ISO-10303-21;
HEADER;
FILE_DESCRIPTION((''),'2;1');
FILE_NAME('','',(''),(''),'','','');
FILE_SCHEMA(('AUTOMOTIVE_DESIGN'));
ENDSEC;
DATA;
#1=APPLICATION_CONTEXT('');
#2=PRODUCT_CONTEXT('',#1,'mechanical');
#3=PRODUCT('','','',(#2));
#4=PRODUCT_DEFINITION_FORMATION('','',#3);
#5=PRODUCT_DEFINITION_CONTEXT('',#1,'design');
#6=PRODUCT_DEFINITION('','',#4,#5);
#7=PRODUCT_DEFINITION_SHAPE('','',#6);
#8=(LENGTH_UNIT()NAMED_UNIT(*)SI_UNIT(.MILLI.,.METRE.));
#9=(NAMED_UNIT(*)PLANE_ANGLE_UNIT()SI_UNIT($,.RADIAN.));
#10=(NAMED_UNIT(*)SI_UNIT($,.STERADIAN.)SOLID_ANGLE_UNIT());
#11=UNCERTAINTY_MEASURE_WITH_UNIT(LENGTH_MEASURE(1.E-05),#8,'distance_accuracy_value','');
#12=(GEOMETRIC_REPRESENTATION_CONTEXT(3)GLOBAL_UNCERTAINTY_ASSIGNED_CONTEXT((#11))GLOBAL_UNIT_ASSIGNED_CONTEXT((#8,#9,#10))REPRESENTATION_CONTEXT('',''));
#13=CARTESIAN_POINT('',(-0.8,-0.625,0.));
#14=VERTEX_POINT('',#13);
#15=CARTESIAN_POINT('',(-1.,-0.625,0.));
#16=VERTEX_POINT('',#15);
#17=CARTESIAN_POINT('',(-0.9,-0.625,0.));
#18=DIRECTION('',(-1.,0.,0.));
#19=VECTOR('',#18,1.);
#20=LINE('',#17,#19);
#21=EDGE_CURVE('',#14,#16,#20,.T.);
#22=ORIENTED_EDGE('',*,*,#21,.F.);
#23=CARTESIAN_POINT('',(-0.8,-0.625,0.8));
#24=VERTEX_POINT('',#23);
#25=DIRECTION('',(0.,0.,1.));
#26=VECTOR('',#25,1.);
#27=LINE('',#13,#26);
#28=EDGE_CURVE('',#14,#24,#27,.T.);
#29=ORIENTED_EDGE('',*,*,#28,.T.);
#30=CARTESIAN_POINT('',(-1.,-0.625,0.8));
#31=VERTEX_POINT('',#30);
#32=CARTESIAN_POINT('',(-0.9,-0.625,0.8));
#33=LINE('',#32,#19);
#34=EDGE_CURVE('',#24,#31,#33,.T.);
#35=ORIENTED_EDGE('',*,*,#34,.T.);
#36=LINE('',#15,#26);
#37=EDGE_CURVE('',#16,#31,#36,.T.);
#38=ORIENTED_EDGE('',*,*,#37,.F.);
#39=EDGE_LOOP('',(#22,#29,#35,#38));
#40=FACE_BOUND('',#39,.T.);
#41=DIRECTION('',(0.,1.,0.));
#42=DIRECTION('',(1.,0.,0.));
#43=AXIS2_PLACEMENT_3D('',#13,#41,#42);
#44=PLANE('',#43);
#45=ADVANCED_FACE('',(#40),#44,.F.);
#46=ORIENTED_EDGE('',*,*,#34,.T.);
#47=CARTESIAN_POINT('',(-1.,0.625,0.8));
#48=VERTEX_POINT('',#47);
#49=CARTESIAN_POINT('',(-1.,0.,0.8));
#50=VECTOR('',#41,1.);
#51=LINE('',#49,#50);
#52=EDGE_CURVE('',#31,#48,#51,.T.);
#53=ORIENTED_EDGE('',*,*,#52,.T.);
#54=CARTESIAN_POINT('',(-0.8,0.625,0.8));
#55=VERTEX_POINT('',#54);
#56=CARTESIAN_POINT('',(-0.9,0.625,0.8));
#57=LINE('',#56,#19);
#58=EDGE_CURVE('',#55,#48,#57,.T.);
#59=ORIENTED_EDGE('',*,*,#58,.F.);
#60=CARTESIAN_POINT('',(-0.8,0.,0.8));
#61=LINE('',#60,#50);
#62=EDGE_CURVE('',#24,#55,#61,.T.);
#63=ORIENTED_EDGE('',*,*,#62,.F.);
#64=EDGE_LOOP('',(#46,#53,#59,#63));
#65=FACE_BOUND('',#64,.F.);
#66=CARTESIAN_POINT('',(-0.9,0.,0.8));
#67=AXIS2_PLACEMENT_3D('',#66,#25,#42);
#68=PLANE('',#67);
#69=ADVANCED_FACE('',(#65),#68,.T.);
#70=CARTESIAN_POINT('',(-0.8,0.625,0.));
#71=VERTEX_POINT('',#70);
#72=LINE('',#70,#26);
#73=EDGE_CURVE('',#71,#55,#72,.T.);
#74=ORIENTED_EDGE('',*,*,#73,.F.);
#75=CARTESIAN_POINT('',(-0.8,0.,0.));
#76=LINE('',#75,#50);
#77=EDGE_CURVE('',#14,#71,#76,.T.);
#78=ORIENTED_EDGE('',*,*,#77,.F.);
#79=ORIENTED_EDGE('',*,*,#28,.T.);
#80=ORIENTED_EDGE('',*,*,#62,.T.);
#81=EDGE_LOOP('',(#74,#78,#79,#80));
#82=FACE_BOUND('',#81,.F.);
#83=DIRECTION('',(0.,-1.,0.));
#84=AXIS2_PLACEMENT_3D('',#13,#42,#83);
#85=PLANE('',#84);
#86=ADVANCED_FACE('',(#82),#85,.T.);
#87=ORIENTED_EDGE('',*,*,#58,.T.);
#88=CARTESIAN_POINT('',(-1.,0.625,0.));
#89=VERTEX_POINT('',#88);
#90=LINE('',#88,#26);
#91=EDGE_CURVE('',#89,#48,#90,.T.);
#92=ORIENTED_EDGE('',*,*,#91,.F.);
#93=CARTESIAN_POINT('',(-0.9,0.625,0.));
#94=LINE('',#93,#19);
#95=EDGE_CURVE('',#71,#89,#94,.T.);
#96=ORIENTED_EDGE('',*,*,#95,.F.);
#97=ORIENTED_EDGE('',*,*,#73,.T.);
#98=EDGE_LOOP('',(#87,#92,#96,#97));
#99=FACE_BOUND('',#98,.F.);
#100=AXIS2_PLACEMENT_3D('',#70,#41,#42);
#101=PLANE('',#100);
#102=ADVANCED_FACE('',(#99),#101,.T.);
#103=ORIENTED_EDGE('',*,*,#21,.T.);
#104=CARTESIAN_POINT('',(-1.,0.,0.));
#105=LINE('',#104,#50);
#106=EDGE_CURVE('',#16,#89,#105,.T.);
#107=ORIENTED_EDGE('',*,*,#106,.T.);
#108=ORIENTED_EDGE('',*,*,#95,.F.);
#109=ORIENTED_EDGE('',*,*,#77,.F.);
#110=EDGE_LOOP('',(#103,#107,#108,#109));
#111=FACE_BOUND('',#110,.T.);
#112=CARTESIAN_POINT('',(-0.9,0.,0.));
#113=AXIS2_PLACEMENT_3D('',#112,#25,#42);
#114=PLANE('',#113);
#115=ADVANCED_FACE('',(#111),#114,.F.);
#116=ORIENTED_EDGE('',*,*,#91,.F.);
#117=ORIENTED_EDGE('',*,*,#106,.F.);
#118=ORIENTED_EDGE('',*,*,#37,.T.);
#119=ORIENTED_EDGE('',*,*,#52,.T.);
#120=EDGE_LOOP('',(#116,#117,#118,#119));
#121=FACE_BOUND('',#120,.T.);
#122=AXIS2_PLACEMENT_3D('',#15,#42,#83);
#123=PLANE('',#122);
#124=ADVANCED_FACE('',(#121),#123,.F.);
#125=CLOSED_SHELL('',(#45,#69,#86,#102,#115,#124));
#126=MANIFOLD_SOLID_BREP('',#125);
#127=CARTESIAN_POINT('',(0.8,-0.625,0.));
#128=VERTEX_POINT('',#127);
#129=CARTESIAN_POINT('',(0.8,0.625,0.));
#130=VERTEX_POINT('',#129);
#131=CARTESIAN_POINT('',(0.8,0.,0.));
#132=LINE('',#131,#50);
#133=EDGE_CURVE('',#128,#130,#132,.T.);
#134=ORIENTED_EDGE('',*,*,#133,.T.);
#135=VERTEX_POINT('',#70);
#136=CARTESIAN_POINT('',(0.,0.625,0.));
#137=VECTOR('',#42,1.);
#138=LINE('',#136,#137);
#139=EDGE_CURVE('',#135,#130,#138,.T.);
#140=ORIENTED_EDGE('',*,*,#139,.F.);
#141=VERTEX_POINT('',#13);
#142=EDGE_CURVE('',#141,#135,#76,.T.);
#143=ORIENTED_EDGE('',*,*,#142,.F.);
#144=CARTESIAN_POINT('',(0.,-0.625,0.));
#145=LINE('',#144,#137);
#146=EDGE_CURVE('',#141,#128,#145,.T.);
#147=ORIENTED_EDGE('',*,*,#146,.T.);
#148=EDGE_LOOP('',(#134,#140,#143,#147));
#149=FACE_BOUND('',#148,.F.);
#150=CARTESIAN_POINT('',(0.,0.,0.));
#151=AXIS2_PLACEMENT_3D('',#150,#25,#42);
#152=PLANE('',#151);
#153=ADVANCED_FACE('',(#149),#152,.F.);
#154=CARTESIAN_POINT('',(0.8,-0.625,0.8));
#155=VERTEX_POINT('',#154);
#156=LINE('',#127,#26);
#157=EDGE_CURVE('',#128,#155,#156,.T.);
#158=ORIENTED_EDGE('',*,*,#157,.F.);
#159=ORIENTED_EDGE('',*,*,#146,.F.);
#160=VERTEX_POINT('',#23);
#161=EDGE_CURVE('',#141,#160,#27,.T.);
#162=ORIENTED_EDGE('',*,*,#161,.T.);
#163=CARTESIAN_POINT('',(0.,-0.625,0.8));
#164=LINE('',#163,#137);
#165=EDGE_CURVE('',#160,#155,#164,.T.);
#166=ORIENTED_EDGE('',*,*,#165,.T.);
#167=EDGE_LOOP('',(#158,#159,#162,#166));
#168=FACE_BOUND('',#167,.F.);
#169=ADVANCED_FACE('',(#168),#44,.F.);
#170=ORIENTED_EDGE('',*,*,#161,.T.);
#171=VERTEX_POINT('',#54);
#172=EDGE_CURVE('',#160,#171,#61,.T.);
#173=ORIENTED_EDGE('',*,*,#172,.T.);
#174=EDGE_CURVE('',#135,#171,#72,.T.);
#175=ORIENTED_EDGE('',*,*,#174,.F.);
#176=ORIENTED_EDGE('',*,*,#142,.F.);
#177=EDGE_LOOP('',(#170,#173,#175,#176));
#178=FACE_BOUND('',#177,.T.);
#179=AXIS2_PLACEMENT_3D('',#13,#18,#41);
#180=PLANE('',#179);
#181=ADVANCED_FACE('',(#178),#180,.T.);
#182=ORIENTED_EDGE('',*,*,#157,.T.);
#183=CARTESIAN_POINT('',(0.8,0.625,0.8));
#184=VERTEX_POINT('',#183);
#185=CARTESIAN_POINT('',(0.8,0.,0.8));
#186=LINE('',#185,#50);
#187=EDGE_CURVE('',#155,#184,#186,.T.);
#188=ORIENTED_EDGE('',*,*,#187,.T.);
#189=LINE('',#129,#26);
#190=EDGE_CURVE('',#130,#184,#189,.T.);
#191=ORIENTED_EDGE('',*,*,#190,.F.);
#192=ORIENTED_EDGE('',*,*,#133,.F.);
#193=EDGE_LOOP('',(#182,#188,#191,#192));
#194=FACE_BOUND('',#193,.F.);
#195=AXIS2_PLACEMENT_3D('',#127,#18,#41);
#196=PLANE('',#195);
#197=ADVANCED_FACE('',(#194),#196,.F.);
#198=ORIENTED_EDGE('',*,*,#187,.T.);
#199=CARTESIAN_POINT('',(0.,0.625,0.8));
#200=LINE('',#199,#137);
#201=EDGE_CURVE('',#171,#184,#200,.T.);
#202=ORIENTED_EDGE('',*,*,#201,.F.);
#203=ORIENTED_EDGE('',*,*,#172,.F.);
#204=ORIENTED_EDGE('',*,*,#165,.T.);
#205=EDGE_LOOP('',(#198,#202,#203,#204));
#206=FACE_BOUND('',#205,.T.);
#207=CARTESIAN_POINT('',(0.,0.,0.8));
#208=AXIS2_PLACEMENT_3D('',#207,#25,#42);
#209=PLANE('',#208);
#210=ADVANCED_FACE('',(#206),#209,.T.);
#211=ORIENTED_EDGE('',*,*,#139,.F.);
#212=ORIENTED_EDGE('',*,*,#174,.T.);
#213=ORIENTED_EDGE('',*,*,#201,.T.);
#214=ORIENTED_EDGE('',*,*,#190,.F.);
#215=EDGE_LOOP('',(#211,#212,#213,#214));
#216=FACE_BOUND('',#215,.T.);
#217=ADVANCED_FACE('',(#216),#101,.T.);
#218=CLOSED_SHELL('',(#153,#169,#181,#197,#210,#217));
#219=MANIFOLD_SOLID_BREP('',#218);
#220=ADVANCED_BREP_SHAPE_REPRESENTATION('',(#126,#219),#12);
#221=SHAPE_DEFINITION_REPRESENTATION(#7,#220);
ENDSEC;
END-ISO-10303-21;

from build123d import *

# Parameters (mm, degrees)
SKETCH_W     = 1.6
SKETCH_H     = 1.25
PAD_DEPTH    = 0.8
SKETCH001_W  = 0.2
SKETCH001_H  = 1.25
PAD001_DEPTH = 0.8


with BuildPart() as body:
    # Sketch → Pad (new body)
    with BuildSketch(Plane.XY):
        Rectangle(SKETCH_W, SKETCH_H)
    extrude(amount=PAD_DEPTH)


with BuildPart() as body001:
    # Sketch001 → Pad001 (new body)
    with BuildSketch(Plane.XY):
        with Locations((0.9, 0)):
            Rectangle(SKETCH001_W, SKETCH001_H)
    extrude(amount=PAD001_DEPTH)


with BuildPart() as part_mirroring:
    # Part__Mirroring: instance of Body001
    add(body001.part.mirror(Plane(origin=(0, 0, 0), x_dir=(0, -1, 0), z_dir=(1, 0, 0))))


solid = Compound([body.part, part_mirroring.part])
